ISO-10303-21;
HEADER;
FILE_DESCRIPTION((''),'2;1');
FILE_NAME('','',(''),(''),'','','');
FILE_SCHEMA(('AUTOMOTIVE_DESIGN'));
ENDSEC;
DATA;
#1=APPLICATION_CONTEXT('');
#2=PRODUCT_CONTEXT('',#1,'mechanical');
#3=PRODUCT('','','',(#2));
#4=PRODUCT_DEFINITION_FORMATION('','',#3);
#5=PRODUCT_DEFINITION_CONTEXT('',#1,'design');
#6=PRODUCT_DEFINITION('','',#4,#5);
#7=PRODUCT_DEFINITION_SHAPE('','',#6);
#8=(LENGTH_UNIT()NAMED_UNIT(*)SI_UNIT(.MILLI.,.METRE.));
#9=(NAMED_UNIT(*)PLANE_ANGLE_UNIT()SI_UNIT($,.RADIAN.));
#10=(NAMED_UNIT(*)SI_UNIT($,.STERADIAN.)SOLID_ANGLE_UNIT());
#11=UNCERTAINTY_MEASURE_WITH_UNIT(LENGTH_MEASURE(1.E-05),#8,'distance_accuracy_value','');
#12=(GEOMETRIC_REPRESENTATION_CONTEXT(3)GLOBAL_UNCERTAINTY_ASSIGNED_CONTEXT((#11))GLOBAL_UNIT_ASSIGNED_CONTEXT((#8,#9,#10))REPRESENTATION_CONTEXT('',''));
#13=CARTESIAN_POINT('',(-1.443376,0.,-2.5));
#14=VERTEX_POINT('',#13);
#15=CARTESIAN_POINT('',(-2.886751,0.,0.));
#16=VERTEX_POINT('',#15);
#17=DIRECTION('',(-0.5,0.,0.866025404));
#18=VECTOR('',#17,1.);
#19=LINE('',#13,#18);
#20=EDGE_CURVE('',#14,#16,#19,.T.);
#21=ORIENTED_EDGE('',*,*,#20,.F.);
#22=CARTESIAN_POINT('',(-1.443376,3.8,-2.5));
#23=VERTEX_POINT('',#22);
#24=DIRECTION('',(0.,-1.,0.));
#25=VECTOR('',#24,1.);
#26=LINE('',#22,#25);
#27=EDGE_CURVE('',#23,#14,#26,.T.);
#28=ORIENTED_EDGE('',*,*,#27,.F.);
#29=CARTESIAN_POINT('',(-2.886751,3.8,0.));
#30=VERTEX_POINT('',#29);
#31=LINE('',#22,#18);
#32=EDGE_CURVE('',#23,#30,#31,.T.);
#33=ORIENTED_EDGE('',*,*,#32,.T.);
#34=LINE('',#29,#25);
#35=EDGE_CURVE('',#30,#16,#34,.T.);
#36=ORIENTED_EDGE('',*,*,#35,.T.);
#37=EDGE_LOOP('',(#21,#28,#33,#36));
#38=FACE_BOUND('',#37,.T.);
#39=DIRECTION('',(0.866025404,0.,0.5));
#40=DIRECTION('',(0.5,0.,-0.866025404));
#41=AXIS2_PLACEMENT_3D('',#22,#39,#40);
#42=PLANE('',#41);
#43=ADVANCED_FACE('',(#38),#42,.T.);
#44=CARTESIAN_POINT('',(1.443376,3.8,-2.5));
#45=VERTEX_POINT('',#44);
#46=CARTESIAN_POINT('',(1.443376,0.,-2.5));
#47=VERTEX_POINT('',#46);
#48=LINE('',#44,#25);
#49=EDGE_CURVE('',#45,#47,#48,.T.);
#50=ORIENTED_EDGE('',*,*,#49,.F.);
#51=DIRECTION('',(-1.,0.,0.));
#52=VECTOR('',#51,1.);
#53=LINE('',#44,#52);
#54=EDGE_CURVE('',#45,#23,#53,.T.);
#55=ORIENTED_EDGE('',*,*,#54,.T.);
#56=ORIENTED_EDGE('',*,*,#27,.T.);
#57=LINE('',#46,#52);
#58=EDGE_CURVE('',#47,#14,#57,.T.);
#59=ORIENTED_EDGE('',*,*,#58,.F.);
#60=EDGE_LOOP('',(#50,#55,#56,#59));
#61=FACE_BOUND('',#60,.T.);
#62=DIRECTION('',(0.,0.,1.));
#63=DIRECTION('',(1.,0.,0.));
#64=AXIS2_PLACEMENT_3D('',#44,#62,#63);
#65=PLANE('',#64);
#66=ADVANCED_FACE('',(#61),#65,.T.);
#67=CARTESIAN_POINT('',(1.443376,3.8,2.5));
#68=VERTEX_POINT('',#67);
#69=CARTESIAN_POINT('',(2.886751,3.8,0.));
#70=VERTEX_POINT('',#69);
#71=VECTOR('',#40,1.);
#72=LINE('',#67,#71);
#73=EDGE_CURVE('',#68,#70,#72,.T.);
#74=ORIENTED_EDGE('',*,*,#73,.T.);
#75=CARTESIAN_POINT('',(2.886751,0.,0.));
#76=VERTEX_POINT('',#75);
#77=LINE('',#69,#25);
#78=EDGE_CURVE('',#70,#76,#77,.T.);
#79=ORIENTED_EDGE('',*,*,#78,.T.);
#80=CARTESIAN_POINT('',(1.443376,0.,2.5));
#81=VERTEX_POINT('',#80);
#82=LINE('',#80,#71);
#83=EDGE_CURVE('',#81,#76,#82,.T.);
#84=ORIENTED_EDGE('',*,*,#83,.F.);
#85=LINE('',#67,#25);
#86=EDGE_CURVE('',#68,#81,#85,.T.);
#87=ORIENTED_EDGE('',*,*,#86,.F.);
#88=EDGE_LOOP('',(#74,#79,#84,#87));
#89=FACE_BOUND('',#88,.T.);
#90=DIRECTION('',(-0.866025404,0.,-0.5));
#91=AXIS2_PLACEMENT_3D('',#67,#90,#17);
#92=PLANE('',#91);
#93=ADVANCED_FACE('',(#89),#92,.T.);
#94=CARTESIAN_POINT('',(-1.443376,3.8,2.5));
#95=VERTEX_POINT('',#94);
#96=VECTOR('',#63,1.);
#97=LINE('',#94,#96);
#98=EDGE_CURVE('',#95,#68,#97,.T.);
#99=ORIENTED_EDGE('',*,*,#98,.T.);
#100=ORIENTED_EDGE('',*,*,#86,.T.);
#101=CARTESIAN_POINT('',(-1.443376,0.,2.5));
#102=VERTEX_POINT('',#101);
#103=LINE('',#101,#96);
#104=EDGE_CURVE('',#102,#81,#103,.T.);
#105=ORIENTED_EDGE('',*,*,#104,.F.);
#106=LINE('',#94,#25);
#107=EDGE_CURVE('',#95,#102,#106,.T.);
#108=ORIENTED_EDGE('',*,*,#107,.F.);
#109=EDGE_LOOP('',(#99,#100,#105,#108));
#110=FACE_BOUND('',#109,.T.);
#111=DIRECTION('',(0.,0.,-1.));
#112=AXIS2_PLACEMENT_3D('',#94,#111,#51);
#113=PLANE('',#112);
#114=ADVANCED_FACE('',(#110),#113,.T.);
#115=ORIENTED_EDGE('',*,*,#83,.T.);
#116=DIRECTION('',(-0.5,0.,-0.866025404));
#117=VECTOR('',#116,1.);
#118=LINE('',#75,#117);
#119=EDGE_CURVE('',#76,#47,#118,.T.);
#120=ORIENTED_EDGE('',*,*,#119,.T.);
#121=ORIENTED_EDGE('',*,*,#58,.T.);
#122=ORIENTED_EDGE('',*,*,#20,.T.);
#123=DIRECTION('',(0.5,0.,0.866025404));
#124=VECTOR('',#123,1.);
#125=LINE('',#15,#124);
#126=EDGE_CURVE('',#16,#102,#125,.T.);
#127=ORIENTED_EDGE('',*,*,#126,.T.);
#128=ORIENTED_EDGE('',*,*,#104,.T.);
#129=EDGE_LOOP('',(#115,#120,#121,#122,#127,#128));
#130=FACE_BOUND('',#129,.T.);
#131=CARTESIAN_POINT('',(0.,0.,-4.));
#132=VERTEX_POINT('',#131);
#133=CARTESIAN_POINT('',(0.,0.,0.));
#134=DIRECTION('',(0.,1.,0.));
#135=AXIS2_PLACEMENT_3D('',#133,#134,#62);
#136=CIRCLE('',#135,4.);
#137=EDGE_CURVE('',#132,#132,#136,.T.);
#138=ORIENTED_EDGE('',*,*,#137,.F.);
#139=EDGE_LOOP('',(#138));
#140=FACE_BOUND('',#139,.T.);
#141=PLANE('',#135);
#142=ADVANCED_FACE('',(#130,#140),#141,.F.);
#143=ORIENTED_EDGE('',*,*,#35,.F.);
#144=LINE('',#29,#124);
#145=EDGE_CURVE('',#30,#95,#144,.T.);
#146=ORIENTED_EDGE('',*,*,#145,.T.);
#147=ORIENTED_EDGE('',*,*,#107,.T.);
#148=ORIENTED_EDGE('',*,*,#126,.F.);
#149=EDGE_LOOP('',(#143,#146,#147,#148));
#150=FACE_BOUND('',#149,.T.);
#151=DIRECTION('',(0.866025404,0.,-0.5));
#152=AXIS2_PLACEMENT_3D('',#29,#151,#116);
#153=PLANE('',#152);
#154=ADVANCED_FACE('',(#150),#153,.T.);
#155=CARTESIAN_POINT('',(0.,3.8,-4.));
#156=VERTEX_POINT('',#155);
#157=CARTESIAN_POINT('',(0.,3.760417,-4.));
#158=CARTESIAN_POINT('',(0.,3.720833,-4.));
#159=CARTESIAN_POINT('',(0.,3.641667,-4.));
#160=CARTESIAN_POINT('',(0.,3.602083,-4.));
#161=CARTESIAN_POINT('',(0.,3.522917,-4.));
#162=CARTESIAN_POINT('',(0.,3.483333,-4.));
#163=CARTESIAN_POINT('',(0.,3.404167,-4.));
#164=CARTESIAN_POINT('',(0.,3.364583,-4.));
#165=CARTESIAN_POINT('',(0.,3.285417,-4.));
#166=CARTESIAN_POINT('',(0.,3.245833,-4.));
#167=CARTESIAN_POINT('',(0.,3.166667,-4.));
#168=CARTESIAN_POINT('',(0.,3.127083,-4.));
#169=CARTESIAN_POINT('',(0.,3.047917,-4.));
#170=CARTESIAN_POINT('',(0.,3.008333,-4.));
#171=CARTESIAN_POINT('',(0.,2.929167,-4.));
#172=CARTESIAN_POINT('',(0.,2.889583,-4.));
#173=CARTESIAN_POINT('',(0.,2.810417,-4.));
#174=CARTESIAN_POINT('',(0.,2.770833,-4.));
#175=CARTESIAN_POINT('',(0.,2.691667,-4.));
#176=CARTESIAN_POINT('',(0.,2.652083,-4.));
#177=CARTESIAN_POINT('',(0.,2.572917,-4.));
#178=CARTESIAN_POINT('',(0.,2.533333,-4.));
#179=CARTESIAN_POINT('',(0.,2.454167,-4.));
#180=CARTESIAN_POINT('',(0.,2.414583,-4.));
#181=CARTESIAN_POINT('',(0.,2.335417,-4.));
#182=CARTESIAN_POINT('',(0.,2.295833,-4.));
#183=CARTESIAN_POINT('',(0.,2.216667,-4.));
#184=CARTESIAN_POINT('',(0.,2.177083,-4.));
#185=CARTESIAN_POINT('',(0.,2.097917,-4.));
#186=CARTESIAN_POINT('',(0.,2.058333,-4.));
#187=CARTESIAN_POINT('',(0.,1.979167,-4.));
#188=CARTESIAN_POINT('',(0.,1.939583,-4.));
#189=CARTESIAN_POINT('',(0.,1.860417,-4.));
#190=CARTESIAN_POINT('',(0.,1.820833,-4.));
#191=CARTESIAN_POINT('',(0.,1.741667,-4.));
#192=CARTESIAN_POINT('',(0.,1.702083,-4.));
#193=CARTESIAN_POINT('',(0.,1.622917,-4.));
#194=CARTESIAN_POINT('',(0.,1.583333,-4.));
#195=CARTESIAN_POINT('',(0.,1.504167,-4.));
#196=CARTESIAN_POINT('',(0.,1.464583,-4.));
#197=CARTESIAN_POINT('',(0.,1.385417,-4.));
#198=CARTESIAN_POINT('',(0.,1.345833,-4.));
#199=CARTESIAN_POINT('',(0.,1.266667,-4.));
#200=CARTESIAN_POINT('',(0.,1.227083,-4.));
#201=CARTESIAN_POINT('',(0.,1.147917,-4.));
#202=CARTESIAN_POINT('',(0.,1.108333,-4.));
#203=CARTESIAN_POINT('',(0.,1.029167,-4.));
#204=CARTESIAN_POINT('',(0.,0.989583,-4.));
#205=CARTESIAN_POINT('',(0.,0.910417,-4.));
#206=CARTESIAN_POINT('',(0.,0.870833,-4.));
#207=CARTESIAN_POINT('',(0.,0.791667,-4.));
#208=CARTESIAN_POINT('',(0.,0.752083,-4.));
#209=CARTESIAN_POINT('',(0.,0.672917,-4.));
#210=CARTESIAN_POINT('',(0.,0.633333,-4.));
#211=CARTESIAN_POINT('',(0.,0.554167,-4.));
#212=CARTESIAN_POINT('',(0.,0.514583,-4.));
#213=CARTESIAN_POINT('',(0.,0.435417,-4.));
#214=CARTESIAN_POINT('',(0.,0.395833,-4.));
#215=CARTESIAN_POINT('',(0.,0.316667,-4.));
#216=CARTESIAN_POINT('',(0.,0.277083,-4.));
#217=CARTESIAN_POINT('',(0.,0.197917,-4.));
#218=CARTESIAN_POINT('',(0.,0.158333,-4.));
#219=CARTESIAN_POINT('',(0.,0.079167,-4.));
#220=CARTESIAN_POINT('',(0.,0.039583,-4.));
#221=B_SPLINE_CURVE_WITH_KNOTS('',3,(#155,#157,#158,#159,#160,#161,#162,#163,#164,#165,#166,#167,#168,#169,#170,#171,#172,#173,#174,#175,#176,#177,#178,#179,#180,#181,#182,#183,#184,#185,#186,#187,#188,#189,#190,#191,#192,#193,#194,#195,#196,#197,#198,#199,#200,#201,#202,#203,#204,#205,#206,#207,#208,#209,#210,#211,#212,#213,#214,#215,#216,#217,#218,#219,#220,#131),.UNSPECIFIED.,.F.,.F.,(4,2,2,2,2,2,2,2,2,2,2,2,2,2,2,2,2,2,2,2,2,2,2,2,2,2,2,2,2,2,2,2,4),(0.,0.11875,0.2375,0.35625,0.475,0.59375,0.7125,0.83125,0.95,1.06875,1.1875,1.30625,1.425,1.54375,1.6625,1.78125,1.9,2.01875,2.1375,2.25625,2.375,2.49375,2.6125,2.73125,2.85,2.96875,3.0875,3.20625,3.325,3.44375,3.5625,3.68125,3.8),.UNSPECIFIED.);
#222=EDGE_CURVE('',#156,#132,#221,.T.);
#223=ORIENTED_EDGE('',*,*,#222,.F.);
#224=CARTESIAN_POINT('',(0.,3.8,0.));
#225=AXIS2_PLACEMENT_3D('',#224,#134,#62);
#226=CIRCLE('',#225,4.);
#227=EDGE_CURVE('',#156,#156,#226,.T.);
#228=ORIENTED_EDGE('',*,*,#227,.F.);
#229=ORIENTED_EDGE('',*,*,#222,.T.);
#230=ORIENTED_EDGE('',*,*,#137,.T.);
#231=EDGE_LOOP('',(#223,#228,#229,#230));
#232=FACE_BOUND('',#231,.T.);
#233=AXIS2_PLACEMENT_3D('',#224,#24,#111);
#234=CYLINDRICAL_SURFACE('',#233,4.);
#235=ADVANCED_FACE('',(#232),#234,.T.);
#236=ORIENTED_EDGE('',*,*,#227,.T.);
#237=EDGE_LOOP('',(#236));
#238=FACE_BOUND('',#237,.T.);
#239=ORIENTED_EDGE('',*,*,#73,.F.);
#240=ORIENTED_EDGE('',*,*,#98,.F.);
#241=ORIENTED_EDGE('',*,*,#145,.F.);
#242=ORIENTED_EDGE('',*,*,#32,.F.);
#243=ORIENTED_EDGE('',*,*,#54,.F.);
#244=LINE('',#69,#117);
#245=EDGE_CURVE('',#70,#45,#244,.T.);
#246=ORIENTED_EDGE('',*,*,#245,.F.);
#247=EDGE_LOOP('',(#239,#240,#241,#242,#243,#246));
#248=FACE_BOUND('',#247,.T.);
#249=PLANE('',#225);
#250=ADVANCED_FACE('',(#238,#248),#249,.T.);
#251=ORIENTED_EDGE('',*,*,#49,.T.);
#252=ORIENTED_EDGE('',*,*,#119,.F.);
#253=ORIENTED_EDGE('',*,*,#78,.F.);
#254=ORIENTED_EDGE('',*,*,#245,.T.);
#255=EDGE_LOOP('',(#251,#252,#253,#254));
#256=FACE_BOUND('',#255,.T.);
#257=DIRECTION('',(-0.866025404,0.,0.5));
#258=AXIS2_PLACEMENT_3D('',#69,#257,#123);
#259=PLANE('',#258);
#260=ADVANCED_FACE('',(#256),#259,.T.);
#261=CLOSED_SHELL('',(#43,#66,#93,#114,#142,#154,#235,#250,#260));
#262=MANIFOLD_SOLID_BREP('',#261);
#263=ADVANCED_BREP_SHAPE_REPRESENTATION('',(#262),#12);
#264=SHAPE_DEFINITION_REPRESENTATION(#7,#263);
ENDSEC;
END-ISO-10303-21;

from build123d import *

# Parameters (mm, degrees)
SKETCH1_R           = 4
BOSS_EXTRUDE1_DEPTH = 3.8


with BuildPart() as part:
    # Sketch1 → Boss-Extrude1 (new body)
    with BuildSketch(Plane(origin=(0, 0, 0), x_dir=(1, 0, 0), z_dir=(0, 1, 0))):
        with Locations(Location((0, 0, 0), (0, 0, 90))):
            Circle(SKETCH1_R)
        Polygon((2.886751346, 0), (1.443375673, 2.5), (-1.443375673, 2.5), (-2.886751346, 0), (-1.443375673, -2.5), (1.443375673, -2.5), align=None, mode=Mode.SUBTRACT)
    extrude(amount=BOSS_EXTRUDE1_DEPTH)


solid = part.part
